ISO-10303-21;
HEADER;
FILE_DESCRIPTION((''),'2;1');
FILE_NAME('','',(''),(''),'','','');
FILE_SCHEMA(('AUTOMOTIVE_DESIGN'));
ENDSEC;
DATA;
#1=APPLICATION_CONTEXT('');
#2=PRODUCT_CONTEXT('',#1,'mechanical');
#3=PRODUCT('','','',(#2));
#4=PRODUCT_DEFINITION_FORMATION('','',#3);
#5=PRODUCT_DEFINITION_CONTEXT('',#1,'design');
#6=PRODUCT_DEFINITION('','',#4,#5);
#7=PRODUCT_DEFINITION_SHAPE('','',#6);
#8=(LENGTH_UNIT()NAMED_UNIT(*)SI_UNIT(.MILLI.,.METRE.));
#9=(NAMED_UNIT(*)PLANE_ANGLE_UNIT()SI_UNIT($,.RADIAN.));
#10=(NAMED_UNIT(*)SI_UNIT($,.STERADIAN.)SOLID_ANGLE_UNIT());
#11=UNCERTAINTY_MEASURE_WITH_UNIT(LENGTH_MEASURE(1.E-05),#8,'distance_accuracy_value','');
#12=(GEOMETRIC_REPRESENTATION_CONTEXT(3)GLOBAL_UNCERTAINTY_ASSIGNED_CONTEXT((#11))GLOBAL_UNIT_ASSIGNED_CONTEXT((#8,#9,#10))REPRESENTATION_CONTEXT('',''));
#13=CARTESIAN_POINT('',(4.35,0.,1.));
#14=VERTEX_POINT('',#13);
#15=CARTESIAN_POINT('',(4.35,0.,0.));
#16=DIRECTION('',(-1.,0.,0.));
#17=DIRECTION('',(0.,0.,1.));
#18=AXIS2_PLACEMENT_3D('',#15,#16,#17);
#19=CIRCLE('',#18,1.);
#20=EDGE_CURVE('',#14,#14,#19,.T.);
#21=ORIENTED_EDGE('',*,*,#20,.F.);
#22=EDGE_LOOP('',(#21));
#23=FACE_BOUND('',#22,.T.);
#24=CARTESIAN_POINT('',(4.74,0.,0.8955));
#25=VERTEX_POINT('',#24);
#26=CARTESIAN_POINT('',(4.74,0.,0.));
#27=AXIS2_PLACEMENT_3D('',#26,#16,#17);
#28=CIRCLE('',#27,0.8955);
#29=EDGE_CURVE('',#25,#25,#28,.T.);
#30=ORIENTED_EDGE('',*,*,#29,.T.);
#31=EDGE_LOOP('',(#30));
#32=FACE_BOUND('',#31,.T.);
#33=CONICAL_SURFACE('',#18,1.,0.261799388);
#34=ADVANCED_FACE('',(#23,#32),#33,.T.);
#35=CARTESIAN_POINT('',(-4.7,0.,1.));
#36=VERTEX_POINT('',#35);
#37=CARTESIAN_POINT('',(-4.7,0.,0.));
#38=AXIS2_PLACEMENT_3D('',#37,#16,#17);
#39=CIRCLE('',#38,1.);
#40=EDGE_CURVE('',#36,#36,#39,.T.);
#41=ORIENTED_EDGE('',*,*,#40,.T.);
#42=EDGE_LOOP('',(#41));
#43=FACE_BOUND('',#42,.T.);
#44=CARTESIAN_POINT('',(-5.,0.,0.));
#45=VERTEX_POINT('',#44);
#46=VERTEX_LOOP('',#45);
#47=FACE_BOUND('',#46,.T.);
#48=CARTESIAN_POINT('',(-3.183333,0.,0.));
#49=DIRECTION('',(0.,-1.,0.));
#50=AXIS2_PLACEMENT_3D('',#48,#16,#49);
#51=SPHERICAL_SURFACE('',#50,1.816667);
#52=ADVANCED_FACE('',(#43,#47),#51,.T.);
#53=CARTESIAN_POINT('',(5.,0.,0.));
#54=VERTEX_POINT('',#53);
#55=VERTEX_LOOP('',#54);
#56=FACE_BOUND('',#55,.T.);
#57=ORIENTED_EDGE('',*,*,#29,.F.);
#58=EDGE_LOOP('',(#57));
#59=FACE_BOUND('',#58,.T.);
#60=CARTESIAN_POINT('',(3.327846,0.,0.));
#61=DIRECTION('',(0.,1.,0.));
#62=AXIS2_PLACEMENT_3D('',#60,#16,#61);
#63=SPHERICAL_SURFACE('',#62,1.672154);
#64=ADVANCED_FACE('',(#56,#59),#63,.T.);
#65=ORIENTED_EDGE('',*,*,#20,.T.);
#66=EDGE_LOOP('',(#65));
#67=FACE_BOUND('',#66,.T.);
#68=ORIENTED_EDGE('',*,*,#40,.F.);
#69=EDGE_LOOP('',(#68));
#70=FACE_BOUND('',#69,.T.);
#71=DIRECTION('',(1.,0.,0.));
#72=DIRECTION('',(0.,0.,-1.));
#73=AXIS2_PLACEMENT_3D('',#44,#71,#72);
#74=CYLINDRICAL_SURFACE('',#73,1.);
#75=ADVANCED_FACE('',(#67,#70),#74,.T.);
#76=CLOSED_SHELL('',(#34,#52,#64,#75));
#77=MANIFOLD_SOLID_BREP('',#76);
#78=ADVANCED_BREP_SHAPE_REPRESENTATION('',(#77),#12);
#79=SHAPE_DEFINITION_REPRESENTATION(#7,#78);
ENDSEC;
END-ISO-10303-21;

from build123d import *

# Parameters (mm, degrees)
SKETCH2_R           = 1
EXTRUDE1_DEPTH      = 5
EXTRUDE1_DEPTH_BACK = 5


with BuildPart() as part:
    # Sketch2 → Extrude1 (new body, two sides)
    with BuildSketch(Plane(origin=(0, 0, 0), x_dir=(0, 0, -1), z_dir=(1, 0, 0))) as extrude1_sk:
        Circle(SKETCH2_R)
    extrude(amount=EXTRUDE1_DEPTH)
    extrude(extrude1_sk.sketch, amount=-EXTRUDE1_DEPTH_BACK)

    # Sketch5 → Cut-Revolve1 (revolve, cut)
    with BuildSketch(Plane.XY):
        with BuildLine():
            Line((4.35, 1), (4.35, 1.5))
            Line((4.35, 1.5), (5.5, 1.5))
            Line((5.5, 1.5), (5.5, 0))
            Line((5.5, 0), (5, 0))
            ThreePointArc((5, 0), (4.933685026, 0.46624026), (4.74, 0.895499815))
            Line((4.74, 0.895499815), (4.35, 1))
        make_face()
        with BuildLine():
            Line((-4.7, 1), (-4.7, 1.5))
            Line((-4.7, 1.5), (-5.5, 1.5))
            Line((-5.5, 1.5), (-5.5, 0))
            Line((-5.5, 0), (-5, 0))
            ThreePointArc((-5, 0), (-4.923384418, 0.522015325), (-4.7, 1))
        make_face()
    revolve(axis=Axis((-5, 0, 0), (1, 0, 0)), mode=Mode.SUBTRACT)


solid = part.part
